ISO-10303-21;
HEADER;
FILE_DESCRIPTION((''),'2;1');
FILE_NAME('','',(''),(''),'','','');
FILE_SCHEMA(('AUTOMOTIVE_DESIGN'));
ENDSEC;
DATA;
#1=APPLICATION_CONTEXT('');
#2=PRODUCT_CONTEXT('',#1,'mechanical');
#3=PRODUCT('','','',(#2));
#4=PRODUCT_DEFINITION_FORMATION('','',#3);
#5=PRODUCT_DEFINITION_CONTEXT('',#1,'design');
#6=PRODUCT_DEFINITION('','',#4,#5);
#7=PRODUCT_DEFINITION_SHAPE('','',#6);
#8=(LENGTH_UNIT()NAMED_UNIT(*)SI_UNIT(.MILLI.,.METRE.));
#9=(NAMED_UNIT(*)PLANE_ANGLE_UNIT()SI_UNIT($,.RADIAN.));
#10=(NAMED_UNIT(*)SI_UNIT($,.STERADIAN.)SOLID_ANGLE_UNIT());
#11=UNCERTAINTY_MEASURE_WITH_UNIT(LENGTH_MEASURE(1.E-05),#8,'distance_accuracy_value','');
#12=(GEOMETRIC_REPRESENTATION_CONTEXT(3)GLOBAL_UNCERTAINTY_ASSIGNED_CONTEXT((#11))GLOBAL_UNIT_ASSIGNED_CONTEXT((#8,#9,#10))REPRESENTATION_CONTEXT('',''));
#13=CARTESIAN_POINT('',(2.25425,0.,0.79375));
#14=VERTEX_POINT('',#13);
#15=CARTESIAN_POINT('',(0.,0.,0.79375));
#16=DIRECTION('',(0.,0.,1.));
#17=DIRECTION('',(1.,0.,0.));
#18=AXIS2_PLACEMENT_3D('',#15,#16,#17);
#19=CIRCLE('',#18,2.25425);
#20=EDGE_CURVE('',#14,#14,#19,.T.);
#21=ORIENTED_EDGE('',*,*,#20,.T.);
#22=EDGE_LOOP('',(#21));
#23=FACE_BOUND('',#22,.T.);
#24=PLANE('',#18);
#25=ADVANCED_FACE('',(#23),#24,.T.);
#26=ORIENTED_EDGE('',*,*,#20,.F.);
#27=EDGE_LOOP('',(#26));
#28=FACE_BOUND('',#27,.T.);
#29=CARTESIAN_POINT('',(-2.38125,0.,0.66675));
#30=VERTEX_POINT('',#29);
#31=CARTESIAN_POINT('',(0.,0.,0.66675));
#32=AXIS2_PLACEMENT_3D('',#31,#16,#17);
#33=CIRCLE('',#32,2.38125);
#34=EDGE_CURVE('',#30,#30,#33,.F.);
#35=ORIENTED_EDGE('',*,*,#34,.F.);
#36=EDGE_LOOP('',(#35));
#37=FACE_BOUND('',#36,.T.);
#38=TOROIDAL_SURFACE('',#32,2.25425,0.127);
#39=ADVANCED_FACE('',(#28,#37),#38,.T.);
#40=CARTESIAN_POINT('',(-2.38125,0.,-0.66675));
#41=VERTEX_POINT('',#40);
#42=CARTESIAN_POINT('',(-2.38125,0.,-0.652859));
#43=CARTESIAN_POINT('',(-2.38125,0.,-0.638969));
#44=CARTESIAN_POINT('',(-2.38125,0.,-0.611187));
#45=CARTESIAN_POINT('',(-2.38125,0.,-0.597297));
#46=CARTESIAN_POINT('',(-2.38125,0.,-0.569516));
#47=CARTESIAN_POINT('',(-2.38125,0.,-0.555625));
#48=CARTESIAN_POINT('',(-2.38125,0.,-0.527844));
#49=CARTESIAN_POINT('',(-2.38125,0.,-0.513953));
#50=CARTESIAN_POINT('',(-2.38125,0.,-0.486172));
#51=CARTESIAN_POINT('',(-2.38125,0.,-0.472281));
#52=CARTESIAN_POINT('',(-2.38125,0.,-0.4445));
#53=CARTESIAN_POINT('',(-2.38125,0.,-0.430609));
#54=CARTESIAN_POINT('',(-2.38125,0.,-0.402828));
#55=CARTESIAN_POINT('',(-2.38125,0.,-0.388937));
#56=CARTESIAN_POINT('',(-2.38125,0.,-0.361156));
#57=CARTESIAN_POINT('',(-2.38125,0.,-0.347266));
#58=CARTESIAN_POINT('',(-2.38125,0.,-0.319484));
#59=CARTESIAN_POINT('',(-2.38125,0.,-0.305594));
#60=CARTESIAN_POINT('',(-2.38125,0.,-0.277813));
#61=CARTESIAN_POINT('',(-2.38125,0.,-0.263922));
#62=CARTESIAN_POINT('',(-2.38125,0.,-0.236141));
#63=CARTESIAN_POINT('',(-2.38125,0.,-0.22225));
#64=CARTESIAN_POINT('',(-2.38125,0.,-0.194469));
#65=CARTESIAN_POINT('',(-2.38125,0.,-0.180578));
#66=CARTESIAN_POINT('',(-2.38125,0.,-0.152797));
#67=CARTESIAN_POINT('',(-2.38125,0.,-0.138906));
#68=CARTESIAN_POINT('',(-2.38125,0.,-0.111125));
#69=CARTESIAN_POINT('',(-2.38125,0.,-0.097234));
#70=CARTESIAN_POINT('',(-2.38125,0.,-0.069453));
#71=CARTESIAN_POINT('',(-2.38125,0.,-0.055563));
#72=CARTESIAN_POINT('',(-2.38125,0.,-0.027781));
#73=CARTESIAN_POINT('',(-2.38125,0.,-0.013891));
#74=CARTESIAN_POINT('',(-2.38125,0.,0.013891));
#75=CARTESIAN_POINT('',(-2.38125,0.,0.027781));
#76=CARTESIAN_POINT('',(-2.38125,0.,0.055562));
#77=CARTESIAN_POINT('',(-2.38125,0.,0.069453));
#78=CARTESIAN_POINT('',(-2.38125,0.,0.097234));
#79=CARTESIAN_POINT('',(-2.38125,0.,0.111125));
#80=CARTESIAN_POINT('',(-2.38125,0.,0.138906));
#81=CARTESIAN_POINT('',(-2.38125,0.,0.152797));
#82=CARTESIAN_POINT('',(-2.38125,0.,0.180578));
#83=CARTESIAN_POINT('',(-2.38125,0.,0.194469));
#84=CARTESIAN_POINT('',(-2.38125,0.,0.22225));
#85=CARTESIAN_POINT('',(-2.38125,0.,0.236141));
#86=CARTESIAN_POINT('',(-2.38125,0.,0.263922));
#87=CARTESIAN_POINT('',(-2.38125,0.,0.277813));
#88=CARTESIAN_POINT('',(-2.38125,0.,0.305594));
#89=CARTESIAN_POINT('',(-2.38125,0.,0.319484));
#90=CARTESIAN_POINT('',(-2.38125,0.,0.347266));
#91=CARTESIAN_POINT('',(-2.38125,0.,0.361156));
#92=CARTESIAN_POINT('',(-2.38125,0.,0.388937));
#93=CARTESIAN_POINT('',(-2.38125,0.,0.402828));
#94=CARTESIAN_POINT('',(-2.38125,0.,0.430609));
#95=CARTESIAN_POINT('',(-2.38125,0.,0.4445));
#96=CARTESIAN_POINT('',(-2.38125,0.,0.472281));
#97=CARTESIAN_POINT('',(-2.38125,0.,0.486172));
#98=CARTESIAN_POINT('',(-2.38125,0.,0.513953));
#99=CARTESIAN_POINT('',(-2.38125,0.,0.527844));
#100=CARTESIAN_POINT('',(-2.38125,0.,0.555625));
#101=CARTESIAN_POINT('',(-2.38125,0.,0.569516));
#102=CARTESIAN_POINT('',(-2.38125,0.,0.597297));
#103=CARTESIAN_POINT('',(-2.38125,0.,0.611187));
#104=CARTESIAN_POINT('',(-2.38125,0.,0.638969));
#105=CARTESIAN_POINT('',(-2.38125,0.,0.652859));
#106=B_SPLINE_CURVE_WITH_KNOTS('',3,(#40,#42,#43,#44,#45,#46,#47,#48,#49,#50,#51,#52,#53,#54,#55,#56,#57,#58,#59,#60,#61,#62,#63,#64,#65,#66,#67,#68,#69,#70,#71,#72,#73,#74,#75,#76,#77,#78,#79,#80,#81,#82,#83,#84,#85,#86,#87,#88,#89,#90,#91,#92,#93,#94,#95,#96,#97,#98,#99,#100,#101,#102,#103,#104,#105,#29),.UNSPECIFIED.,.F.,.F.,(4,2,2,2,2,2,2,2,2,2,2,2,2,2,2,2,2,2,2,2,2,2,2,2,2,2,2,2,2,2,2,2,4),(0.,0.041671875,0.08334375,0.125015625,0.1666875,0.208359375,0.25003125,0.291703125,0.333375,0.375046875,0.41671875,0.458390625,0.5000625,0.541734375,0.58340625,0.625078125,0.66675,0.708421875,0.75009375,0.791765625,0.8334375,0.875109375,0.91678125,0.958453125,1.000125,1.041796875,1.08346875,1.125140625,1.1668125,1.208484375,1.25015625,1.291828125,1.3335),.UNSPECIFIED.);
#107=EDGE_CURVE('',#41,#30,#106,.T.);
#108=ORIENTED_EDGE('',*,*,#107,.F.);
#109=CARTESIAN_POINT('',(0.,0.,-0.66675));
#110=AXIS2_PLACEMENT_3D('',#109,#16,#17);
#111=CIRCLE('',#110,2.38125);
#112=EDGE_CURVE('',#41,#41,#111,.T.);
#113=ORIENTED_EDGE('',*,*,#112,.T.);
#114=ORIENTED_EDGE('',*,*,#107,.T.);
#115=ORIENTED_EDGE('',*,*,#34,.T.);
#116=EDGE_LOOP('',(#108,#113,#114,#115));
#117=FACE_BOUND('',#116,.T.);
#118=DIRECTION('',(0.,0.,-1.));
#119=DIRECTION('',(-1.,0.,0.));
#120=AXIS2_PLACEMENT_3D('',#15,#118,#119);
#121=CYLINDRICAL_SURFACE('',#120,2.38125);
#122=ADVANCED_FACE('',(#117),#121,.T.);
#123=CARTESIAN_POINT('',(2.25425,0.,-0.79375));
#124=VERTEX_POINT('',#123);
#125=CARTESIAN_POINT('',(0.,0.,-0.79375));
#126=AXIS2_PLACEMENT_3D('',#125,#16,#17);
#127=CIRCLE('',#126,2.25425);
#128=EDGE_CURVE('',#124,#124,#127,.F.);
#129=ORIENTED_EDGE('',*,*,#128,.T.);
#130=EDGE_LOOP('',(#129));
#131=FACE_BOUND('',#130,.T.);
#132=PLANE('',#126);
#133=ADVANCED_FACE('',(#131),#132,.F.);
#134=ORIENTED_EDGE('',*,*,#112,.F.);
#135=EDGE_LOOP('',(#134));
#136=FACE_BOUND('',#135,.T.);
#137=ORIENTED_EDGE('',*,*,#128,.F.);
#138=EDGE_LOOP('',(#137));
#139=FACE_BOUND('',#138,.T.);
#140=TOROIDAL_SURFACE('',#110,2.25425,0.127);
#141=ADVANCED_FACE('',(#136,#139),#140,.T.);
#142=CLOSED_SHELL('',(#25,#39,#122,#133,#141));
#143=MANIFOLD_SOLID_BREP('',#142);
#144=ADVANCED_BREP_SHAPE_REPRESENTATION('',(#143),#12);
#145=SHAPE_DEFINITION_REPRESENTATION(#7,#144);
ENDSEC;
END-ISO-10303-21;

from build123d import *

# Parameters (mm, degrees)
BOSS_EXTRUDE1_DEPTH      = 0.79375
BOSS_EXTRUDE1_DEPTH_BACK = 0.79375
SKETCH3_R                = 2.38125
FILLET1_R                = 0.127


with BuildPart() as part:
    # Sketch3 → Boss-Extrude1 (new, two sides: drawn at the far end of the back side and taken through both)
    with BuildSketch(Plane.XY.offset(-BOSS_EXTRUDE1_DEPTH_BACK)):
        with Locations(Location((0, 0, 0), (0, 0, 180))):
            Circle(SKETCH3_R)
    extrude(amount=BOSS_EXTRUDE1_DEPTH + BOSS_EXTRUDE1_DEPTH_BACK)

    # Fillet1
    fillet1_edges = [part.edges().sort_by_distance(p)[0] for p in [
        (2.38125, 0, -0.79375),
        (2.38125, 0, 0.79375),
    ]]
    fillet(fillet1_edges, radius=FILLET1_R)


solid = part.part
